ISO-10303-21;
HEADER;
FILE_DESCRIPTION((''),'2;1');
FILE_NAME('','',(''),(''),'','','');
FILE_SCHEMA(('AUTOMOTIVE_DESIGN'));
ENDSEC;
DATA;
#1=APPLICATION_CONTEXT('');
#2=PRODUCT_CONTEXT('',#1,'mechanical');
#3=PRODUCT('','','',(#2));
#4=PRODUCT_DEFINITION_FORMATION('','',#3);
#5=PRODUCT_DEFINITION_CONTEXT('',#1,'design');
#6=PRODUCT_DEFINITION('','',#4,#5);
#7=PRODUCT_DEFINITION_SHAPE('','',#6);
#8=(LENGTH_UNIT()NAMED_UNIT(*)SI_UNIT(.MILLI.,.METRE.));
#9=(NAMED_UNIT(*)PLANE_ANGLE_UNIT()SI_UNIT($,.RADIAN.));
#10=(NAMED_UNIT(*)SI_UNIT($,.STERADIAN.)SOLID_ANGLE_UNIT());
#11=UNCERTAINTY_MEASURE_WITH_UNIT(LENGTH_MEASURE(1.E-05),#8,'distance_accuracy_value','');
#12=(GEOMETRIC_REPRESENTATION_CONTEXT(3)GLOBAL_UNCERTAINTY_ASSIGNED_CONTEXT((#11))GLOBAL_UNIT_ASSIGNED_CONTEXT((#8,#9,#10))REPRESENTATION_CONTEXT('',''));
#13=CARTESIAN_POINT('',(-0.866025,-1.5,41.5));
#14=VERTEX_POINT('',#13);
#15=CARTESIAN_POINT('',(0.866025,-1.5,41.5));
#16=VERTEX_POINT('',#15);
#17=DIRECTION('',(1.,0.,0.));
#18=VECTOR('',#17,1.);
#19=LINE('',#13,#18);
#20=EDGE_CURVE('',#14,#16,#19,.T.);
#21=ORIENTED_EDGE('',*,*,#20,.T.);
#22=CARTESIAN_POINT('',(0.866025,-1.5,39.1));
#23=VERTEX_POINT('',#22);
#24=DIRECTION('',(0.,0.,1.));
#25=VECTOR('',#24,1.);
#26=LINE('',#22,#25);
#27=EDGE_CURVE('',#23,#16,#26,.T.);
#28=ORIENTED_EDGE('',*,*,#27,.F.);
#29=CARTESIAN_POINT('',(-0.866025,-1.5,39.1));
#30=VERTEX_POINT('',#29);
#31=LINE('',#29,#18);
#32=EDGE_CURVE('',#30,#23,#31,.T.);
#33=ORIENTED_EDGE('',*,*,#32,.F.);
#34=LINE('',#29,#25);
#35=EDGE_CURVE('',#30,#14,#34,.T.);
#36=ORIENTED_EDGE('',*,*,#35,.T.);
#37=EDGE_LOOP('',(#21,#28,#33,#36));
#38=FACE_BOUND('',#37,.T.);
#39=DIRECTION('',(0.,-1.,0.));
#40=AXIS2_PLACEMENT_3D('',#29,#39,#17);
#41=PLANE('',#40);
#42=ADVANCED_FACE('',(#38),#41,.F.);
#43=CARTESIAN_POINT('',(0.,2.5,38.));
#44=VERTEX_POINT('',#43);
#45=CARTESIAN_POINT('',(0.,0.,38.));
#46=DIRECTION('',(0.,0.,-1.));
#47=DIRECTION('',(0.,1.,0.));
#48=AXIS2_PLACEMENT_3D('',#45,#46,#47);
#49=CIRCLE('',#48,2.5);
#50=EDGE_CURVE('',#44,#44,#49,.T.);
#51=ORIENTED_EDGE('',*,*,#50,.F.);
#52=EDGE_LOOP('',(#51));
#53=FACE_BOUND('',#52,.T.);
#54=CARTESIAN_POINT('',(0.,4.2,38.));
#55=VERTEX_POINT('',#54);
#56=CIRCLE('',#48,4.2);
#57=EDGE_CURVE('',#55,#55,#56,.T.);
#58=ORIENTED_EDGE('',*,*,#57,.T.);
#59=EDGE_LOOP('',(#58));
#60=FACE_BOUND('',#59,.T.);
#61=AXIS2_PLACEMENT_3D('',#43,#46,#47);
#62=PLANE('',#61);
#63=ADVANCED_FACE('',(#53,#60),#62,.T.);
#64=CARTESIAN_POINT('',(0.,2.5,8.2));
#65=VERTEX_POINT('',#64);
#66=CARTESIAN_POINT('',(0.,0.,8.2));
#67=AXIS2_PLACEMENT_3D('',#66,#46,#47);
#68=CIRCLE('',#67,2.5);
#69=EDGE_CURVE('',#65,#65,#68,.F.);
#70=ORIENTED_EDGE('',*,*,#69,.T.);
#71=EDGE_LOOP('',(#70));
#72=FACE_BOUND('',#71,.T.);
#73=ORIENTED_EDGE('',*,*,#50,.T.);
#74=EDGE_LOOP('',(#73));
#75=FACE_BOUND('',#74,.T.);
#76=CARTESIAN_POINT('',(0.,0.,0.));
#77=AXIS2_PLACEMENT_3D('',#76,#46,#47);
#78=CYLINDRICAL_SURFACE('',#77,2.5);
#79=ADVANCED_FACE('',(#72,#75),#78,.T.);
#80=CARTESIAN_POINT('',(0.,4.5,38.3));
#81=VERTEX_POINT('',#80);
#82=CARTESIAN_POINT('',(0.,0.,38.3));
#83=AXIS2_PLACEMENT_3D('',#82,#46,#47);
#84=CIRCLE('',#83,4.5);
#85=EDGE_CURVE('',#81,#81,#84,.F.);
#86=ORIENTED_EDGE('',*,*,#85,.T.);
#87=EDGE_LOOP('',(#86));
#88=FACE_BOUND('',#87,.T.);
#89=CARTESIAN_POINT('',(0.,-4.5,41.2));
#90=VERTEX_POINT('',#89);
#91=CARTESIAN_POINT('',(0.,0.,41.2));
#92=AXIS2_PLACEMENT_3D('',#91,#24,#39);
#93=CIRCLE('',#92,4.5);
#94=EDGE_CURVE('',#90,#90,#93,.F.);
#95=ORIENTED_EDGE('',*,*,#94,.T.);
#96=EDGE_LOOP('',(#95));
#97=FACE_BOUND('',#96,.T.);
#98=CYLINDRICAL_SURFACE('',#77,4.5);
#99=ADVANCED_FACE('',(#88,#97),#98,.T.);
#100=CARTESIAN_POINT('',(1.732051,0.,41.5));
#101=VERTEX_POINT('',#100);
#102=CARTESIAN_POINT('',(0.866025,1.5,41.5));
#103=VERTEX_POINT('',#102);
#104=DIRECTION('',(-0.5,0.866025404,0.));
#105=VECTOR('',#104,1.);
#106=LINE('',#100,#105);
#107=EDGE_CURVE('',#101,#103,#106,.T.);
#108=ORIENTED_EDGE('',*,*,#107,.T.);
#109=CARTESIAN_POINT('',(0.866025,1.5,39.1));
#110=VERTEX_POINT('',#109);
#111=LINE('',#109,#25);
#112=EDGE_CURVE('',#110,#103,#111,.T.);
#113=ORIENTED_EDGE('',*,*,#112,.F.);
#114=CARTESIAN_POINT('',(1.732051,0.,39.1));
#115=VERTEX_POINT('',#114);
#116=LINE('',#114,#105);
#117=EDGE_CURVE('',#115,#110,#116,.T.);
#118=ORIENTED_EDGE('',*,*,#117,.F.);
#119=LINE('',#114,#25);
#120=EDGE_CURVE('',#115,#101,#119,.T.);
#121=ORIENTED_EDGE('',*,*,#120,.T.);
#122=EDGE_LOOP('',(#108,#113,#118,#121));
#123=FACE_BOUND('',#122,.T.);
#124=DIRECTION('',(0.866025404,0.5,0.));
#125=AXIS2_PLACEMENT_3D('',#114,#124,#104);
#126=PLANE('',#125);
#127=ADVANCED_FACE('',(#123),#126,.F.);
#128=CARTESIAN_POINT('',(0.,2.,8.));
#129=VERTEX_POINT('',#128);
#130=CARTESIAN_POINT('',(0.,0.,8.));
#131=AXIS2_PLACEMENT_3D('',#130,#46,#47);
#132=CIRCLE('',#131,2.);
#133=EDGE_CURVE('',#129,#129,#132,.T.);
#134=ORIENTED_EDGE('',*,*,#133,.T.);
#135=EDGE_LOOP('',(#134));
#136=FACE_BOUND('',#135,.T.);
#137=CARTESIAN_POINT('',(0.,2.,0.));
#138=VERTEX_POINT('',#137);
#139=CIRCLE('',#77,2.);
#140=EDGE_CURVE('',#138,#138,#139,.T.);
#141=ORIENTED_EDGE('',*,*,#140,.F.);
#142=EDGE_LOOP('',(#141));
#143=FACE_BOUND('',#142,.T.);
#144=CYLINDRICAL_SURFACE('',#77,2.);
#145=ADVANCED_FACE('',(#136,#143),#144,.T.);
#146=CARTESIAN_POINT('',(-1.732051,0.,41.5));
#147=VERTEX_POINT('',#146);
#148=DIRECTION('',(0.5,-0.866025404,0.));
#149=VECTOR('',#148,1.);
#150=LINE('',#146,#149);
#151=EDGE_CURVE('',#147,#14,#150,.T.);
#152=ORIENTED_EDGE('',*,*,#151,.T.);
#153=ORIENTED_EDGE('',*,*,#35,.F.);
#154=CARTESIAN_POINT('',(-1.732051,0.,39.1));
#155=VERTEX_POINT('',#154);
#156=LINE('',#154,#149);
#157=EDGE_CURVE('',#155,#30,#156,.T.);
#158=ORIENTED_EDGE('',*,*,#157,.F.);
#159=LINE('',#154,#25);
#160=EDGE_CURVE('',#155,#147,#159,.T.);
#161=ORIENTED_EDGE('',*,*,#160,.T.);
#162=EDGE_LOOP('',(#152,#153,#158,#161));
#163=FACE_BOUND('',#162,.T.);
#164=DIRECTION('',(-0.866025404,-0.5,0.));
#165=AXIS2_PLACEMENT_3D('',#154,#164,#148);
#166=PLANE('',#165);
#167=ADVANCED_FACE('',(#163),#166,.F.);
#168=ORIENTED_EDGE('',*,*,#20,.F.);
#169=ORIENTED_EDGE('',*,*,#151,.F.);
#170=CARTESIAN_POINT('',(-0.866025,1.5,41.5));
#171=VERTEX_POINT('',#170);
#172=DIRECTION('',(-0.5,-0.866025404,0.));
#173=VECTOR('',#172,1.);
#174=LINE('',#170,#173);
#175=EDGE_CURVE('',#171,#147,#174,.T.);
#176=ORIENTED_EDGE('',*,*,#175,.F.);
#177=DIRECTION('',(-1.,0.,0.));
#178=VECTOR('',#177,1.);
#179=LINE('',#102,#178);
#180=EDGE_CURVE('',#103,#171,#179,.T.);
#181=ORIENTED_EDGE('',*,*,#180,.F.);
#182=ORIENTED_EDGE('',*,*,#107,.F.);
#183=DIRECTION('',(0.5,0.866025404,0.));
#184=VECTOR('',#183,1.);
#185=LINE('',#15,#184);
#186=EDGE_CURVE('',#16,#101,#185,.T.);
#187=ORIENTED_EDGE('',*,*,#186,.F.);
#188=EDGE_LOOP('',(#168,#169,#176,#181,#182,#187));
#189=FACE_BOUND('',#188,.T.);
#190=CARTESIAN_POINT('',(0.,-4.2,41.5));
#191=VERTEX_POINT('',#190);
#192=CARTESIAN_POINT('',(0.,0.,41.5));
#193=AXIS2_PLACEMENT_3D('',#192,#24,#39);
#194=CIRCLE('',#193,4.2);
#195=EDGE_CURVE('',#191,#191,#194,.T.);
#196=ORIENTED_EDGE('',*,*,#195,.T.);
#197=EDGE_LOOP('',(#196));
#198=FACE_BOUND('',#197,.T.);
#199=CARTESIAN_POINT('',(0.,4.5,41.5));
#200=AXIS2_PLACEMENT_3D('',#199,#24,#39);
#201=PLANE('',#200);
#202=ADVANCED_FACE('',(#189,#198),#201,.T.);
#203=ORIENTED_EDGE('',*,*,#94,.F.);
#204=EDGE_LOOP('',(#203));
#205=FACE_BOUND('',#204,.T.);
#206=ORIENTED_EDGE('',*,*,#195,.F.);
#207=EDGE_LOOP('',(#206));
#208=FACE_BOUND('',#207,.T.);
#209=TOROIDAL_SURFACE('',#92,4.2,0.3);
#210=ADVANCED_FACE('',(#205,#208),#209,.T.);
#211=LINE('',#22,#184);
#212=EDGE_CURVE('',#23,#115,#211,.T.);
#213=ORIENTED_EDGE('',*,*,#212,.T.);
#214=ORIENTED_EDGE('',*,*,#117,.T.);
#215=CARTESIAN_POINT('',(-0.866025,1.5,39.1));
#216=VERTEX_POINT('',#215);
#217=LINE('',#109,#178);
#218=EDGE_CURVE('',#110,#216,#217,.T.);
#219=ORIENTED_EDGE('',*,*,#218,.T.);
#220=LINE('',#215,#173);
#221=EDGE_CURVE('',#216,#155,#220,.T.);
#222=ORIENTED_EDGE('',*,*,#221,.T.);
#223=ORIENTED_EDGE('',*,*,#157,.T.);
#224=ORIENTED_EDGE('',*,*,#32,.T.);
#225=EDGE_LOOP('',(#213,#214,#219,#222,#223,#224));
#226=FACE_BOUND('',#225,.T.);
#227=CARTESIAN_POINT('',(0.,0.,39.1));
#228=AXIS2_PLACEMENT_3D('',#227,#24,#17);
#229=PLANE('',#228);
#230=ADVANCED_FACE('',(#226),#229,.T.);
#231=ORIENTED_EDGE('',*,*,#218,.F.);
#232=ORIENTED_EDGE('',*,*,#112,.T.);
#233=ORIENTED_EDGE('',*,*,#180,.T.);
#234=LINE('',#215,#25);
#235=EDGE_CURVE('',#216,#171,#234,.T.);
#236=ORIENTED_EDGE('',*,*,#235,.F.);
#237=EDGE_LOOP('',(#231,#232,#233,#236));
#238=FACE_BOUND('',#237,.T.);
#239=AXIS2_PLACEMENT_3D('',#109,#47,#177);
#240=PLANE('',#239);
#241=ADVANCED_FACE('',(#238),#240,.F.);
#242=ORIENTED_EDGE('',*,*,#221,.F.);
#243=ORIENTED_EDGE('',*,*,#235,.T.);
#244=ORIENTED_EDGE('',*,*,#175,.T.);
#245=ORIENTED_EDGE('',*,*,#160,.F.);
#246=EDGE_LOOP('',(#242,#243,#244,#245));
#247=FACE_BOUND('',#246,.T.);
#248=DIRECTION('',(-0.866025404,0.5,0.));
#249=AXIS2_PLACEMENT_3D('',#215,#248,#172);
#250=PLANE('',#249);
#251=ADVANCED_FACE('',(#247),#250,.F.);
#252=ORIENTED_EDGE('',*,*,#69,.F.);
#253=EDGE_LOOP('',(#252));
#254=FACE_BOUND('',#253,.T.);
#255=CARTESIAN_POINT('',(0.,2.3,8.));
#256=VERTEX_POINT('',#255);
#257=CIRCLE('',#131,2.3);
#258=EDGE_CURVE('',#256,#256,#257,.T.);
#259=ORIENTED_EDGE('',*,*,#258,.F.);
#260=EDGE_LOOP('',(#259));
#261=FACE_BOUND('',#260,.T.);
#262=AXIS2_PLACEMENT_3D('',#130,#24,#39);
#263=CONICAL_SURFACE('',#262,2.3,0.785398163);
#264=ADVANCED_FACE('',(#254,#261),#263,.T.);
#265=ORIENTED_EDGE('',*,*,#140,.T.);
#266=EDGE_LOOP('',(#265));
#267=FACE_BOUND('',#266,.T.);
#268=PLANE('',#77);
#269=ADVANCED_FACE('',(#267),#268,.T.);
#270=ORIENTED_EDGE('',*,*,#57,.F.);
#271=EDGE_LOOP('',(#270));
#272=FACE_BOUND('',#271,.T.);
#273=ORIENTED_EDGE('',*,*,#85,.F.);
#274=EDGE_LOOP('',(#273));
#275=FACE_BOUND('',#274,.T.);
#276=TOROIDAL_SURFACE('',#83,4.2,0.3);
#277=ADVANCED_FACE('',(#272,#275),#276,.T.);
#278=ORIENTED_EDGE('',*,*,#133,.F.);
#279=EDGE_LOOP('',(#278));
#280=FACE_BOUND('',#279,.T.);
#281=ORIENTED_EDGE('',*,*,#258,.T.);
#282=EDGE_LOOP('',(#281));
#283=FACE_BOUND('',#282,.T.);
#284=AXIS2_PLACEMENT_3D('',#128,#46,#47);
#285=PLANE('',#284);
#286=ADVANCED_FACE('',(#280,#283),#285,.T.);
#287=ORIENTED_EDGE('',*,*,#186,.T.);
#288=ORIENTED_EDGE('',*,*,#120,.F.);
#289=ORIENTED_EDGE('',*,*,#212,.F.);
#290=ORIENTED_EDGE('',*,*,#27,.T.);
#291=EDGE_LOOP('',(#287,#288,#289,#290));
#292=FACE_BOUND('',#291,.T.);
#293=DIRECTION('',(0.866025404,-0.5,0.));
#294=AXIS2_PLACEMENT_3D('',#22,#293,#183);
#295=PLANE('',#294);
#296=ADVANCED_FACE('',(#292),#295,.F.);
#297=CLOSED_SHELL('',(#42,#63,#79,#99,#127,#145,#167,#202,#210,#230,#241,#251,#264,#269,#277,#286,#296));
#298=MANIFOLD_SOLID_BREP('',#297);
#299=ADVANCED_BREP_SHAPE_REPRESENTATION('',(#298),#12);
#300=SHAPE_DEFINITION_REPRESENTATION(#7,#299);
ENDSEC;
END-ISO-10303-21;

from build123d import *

# Parameters (mm, degrees)
FILLET_1_R          = 0.3
CUT_EXTRUDE_1_DEPTH = 2.4
CHAMFER_1_SIZE      = 0.2


with BuildPart() as part:
    # 草图1 → 旋转1 (revolve)
    with BuildSketch(Plane(origin=(0, 0, 0), x_dir=(0, 0, -1), z_dir=(1, 0, 0))):
        Polygon((0, 0), (0, 2), (-8, 2), (-8, 2.5), (-38, 2.5), (-38, 4.5), (-41.5, 4.5), (-41.5, 0), align=None)
    revolve(axis=Axis((0, 0, 0), (0, 0, 1)))

    # 圆角1
    fillet_1_edges = [part.edges().sort_by_distance(p)[0] for p in [
        (0, -4.5, 41.5),
        (0, -4.5, 38),
    ]]
    fillet(fillet_1_edges, radius=FILLET_1_R)

    # 草图2 → 切除-拉伸1 (cut)
    with BuildSketch(Plane.XY.offset(41.5)):
        Polygon((1.732050808, 0), (0.866025404, 1.5), (-0.866025404, 1.5), (-1.732050808, 0), (-0.866025404, -1.5), (0.866025404, -1.5), align=None)
    extrude(amount=-CUT_EXTRUDE_1_DEPTH, mode=Mode.SUBTRACT)

    # 倒角1
    chamfer_1_edges = [part.edges().sort_by_distance(p)[0] for p in [
        (0, -2.5, 8),
    ]]
    chamfer(chamfer_1_edges, length=CHAMFER_1_SIZE)


solid = part.part
